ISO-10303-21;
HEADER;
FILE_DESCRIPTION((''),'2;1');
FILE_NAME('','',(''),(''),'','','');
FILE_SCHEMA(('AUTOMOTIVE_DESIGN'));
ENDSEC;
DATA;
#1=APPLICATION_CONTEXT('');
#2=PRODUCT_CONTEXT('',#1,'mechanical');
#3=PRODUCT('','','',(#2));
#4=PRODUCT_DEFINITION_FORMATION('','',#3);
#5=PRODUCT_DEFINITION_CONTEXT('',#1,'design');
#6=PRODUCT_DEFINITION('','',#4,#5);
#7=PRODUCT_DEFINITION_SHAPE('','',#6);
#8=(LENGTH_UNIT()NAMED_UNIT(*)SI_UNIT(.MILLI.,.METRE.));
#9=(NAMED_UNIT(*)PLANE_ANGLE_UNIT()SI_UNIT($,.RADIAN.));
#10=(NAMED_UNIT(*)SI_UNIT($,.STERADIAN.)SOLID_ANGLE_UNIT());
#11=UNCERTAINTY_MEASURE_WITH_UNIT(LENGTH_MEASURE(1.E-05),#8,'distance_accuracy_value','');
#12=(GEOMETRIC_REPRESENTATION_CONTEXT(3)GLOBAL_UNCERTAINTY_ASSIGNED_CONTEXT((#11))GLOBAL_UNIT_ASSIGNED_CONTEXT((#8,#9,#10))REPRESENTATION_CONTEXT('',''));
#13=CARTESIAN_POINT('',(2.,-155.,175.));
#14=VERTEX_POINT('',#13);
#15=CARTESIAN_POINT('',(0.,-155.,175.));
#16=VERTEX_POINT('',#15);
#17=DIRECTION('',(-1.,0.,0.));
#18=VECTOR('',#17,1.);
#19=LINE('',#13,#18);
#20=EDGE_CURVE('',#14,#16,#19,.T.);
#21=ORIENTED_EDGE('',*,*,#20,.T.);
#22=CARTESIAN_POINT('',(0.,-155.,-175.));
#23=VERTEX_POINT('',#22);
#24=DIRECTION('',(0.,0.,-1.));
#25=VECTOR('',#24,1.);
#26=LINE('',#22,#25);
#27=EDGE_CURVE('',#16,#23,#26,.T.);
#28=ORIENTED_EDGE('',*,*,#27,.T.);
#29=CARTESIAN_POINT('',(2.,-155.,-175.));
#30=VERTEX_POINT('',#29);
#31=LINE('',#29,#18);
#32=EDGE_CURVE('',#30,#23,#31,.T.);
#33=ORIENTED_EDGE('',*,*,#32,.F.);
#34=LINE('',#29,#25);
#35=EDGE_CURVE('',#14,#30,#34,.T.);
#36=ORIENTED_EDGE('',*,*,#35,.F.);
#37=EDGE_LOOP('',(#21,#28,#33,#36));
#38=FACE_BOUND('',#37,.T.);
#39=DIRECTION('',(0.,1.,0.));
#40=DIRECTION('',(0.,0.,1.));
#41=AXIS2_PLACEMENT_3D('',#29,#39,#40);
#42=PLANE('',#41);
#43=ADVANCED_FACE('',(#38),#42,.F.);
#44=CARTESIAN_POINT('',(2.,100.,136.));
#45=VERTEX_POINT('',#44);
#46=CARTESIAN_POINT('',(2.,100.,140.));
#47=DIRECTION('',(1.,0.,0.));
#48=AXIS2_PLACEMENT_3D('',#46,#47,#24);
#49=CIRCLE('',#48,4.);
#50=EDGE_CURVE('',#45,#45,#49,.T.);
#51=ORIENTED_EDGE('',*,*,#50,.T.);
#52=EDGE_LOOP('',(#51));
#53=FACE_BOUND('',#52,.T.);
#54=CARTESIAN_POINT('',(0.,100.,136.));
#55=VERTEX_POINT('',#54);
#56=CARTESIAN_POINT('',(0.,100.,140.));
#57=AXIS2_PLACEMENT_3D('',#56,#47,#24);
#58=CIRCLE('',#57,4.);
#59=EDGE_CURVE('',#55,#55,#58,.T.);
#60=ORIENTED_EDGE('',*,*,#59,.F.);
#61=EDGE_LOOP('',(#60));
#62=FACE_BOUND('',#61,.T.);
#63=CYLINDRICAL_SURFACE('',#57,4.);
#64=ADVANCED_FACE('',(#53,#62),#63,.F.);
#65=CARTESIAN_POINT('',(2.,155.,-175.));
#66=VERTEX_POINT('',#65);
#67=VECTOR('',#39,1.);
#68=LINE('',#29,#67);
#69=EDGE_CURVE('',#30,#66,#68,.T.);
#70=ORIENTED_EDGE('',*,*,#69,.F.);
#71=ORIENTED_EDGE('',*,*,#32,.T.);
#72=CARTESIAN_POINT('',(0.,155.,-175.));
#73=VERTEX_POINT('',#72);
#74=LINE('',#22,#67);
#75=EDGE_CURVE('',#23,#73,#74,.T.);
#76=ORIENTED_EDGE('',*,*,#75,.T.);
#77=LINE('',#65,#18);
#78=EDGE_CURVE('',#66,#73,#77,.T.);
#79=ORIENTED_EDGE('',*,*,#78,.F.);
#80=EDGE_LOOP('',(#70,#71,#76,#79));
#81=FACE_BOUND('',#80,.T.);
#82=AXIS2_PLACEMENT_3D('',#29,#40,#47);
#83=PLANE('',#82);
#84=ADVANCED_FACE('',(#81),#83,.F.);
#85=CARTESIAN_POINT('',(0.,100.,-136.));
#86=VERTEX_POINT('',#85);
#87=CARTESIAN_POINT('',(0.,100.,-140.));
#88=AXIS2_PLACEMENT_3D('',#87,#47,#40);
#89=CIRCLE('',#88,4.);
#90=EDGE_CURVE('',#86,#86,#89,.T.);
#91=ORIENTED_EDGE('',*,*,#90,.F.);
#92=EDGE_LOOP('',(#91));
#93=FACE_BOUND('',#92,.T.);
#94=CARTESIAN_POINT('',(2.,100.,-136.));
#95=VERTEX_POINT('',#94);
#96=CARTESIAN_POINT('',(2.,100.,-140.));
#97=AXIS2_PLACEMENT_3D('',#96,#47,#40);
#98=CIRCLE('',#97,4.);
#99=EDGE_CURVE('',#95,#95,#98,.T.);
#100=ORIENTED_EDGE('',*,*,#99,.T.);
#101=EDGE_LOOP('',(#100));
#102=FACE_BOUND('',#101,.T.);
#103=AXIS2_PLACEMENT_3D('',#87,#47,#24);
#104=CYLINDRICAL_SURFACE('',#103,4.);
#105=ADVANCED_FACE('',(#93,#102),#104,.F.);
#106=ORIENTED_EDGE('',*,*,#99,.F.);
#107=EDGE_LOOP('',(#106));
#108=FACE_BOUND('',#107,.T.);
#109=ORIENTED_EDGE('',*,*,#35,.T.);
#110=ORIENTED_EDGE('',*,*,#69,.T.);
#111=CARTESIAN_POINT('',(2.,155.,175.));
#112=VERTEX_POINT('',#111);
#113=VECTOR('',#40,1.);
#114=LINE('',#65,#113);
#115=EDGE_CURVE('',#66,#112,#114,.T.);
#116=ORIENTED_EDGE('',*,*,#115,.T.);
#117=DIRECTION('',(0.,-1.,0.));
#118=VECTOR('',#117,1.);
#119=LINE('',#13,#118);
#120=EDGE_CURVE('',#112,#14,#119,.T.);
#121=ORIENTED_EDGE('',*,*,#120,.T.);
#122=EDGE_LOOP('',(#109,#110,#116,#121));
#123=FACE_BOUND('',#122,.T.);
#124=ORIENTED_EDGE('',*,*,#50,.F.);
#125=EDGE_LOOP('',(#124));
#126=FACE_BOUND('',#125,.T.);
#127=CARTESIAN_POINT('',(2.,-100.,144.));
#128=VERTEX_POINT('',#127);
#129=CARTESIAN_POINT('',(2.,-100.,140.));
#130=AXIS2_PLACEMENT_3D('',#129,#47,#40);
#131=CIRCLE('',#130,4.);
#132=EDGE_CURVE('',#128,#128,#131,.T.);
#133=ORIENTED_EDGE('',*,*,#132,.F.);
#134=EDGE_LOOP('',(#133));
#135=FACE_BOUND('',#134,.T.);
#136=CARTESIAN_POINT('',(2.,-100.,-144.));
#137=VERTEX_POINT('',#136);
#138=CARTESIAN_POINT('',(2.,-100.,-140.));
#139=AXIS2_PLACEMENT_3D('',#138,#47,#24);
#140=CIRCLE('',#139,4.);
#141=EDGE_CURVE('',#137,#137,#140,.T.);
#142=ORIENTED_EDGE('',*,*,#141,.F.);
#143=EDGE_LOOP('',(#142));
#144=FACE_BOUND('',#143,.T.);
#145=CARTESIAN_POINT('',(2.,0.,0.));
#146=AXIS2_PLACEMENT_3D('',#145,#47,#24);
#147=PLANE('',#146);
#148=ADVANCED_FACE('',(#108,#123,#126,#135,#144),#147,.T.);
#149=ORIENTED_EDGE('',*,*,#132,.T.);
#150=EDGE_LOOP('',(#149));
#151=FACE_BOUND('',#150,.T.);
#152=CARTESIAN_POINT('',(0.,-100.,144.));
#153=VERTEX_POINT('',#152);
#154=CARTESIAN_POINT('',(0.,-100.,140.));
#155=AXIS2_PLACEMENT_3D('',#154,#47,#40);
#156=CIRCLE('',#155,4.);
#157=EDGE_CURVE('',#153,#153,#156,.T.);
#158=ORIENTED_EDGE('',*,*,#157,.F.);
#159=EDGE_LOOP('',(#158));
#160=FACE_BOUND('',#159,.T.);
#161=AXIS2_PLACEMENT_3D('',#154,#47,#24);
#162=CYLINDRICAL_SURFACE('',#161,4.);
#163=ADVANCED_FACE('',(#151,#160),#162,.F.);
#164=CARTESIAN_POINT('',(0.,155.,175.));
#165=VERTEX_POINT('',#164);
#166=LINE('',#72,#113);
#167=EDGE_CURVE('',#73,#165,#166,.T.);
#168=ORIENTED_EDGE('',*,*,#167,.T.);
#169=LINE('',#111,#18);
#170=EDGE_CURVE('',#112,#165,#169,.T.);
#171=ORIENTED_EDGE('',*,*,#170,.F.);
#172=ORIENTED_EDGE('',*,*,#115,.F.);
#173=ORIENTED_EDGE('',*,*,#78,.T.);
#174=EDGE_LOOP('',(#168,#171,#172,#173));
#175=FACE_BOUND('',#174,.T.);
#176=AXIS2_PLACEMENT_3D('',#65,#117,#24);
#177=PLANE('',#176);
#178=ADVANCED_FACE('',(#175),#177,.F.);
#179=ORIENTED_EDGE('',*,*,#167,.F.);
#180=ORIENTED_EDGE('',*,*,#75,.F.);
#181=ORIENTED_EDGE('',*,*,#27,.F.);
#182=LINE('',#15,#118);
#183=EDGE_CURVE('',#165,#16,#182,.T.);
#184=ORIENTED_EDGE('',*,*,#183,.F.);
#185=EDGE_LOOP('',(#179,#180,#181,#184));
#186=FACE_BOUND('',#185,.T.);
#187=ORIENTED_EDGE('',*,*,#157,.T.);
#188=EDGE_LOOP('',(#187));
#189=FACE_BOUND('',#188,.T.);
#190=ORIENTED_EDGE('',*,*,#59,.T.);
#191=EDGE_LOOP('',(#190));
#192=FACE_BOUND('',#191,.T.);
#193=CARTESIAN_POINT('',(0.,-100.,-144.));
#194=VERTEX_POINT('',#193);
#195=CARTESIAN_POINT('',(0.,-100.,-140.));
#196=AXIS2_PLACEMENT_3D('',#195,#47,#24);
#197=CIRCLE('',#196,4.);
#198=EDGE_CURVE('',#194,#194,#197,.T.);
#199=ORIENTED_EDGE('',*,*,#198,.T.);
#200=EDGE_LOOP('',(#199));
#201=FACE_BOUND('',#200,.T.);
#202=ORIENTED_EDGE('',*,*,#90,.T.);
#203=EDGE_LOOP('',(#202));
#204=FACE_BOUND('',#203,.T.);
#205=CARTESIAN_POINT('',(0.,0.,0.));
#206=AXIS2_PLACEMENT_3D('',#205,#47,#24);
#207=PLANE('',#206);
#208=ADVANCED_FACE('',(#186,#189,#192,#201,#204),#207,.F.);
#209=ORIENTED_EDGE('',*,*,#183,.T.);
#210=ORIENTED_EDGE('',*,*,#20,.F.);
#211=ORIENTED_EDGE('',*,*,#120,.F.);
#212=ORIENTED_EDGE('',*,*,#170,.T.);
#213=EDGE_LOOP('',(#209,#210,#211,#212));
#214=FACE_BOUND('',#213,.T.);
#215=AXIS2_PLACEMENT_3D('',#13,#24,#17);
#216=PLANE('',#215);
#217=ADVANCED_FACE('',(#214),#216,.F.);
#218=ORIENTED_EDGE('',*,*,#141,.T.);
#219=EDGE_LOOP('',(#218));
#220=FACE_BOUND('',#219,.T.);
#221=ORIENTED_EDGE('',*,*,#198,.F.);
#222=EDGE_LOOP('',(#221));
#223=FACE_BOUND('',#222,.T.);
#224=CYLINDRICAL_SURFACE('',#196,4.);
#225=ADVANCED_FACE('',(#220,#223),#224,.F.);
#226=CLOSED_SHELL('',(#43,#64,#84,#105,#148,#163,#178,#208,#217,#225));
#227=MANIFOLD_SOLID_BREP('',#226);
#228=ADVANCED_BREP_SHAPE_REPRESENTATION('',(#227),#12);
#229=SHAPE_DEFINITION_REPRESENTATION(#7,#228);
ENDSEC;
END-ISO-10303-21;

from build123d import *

# Parameters (mm, degrees)
SKETCH1_W           = 350
SKETCH1_H           = 310
BOSS_EXTRUDE1_DEPTH = 2
SKETCH2_R           = 4
CUT_EXTRUDE1_DEPTH  = 234.781949688


with BuildPart() as part:
    # Sketch1 → Boss-Extrude1 (new body)
    with BuildSketch(Plane(origin=(0, 0, 0), x_dir=(0, 0, -1), z_dir=(1, 0, 0))):
        Rectangle(SKETCH1_W, SKETCH1_H)
    extrude(amount=BOSS_EXTRUDE1_DEPTH)

    # Sketch2 → Cut-Extrude1 (cut, through all)
    with BuildSketch(Plane(origin=(2, 0, 0), x_dir=(0, 0, -1), z_dir=(1, 0, 0))):
        with Locations((-140, 100)):
            Circle(SKETCH2_R)
        with Locations(Location((-140, -100, 0), (0, 0, 180))):
            Circle(SKETCH2_R)
        with Locations((140, -100)):
            Circle(SKETCH2_R)
        with Locations(Location((140, 100, 0), (0, 0, 180))):
            Circle(SKETCH2_R)
    extrude(amount=-CUT_EXTRUDE1_DEPTH, mode=Mode.SUBTRACT)


solid = part.part
